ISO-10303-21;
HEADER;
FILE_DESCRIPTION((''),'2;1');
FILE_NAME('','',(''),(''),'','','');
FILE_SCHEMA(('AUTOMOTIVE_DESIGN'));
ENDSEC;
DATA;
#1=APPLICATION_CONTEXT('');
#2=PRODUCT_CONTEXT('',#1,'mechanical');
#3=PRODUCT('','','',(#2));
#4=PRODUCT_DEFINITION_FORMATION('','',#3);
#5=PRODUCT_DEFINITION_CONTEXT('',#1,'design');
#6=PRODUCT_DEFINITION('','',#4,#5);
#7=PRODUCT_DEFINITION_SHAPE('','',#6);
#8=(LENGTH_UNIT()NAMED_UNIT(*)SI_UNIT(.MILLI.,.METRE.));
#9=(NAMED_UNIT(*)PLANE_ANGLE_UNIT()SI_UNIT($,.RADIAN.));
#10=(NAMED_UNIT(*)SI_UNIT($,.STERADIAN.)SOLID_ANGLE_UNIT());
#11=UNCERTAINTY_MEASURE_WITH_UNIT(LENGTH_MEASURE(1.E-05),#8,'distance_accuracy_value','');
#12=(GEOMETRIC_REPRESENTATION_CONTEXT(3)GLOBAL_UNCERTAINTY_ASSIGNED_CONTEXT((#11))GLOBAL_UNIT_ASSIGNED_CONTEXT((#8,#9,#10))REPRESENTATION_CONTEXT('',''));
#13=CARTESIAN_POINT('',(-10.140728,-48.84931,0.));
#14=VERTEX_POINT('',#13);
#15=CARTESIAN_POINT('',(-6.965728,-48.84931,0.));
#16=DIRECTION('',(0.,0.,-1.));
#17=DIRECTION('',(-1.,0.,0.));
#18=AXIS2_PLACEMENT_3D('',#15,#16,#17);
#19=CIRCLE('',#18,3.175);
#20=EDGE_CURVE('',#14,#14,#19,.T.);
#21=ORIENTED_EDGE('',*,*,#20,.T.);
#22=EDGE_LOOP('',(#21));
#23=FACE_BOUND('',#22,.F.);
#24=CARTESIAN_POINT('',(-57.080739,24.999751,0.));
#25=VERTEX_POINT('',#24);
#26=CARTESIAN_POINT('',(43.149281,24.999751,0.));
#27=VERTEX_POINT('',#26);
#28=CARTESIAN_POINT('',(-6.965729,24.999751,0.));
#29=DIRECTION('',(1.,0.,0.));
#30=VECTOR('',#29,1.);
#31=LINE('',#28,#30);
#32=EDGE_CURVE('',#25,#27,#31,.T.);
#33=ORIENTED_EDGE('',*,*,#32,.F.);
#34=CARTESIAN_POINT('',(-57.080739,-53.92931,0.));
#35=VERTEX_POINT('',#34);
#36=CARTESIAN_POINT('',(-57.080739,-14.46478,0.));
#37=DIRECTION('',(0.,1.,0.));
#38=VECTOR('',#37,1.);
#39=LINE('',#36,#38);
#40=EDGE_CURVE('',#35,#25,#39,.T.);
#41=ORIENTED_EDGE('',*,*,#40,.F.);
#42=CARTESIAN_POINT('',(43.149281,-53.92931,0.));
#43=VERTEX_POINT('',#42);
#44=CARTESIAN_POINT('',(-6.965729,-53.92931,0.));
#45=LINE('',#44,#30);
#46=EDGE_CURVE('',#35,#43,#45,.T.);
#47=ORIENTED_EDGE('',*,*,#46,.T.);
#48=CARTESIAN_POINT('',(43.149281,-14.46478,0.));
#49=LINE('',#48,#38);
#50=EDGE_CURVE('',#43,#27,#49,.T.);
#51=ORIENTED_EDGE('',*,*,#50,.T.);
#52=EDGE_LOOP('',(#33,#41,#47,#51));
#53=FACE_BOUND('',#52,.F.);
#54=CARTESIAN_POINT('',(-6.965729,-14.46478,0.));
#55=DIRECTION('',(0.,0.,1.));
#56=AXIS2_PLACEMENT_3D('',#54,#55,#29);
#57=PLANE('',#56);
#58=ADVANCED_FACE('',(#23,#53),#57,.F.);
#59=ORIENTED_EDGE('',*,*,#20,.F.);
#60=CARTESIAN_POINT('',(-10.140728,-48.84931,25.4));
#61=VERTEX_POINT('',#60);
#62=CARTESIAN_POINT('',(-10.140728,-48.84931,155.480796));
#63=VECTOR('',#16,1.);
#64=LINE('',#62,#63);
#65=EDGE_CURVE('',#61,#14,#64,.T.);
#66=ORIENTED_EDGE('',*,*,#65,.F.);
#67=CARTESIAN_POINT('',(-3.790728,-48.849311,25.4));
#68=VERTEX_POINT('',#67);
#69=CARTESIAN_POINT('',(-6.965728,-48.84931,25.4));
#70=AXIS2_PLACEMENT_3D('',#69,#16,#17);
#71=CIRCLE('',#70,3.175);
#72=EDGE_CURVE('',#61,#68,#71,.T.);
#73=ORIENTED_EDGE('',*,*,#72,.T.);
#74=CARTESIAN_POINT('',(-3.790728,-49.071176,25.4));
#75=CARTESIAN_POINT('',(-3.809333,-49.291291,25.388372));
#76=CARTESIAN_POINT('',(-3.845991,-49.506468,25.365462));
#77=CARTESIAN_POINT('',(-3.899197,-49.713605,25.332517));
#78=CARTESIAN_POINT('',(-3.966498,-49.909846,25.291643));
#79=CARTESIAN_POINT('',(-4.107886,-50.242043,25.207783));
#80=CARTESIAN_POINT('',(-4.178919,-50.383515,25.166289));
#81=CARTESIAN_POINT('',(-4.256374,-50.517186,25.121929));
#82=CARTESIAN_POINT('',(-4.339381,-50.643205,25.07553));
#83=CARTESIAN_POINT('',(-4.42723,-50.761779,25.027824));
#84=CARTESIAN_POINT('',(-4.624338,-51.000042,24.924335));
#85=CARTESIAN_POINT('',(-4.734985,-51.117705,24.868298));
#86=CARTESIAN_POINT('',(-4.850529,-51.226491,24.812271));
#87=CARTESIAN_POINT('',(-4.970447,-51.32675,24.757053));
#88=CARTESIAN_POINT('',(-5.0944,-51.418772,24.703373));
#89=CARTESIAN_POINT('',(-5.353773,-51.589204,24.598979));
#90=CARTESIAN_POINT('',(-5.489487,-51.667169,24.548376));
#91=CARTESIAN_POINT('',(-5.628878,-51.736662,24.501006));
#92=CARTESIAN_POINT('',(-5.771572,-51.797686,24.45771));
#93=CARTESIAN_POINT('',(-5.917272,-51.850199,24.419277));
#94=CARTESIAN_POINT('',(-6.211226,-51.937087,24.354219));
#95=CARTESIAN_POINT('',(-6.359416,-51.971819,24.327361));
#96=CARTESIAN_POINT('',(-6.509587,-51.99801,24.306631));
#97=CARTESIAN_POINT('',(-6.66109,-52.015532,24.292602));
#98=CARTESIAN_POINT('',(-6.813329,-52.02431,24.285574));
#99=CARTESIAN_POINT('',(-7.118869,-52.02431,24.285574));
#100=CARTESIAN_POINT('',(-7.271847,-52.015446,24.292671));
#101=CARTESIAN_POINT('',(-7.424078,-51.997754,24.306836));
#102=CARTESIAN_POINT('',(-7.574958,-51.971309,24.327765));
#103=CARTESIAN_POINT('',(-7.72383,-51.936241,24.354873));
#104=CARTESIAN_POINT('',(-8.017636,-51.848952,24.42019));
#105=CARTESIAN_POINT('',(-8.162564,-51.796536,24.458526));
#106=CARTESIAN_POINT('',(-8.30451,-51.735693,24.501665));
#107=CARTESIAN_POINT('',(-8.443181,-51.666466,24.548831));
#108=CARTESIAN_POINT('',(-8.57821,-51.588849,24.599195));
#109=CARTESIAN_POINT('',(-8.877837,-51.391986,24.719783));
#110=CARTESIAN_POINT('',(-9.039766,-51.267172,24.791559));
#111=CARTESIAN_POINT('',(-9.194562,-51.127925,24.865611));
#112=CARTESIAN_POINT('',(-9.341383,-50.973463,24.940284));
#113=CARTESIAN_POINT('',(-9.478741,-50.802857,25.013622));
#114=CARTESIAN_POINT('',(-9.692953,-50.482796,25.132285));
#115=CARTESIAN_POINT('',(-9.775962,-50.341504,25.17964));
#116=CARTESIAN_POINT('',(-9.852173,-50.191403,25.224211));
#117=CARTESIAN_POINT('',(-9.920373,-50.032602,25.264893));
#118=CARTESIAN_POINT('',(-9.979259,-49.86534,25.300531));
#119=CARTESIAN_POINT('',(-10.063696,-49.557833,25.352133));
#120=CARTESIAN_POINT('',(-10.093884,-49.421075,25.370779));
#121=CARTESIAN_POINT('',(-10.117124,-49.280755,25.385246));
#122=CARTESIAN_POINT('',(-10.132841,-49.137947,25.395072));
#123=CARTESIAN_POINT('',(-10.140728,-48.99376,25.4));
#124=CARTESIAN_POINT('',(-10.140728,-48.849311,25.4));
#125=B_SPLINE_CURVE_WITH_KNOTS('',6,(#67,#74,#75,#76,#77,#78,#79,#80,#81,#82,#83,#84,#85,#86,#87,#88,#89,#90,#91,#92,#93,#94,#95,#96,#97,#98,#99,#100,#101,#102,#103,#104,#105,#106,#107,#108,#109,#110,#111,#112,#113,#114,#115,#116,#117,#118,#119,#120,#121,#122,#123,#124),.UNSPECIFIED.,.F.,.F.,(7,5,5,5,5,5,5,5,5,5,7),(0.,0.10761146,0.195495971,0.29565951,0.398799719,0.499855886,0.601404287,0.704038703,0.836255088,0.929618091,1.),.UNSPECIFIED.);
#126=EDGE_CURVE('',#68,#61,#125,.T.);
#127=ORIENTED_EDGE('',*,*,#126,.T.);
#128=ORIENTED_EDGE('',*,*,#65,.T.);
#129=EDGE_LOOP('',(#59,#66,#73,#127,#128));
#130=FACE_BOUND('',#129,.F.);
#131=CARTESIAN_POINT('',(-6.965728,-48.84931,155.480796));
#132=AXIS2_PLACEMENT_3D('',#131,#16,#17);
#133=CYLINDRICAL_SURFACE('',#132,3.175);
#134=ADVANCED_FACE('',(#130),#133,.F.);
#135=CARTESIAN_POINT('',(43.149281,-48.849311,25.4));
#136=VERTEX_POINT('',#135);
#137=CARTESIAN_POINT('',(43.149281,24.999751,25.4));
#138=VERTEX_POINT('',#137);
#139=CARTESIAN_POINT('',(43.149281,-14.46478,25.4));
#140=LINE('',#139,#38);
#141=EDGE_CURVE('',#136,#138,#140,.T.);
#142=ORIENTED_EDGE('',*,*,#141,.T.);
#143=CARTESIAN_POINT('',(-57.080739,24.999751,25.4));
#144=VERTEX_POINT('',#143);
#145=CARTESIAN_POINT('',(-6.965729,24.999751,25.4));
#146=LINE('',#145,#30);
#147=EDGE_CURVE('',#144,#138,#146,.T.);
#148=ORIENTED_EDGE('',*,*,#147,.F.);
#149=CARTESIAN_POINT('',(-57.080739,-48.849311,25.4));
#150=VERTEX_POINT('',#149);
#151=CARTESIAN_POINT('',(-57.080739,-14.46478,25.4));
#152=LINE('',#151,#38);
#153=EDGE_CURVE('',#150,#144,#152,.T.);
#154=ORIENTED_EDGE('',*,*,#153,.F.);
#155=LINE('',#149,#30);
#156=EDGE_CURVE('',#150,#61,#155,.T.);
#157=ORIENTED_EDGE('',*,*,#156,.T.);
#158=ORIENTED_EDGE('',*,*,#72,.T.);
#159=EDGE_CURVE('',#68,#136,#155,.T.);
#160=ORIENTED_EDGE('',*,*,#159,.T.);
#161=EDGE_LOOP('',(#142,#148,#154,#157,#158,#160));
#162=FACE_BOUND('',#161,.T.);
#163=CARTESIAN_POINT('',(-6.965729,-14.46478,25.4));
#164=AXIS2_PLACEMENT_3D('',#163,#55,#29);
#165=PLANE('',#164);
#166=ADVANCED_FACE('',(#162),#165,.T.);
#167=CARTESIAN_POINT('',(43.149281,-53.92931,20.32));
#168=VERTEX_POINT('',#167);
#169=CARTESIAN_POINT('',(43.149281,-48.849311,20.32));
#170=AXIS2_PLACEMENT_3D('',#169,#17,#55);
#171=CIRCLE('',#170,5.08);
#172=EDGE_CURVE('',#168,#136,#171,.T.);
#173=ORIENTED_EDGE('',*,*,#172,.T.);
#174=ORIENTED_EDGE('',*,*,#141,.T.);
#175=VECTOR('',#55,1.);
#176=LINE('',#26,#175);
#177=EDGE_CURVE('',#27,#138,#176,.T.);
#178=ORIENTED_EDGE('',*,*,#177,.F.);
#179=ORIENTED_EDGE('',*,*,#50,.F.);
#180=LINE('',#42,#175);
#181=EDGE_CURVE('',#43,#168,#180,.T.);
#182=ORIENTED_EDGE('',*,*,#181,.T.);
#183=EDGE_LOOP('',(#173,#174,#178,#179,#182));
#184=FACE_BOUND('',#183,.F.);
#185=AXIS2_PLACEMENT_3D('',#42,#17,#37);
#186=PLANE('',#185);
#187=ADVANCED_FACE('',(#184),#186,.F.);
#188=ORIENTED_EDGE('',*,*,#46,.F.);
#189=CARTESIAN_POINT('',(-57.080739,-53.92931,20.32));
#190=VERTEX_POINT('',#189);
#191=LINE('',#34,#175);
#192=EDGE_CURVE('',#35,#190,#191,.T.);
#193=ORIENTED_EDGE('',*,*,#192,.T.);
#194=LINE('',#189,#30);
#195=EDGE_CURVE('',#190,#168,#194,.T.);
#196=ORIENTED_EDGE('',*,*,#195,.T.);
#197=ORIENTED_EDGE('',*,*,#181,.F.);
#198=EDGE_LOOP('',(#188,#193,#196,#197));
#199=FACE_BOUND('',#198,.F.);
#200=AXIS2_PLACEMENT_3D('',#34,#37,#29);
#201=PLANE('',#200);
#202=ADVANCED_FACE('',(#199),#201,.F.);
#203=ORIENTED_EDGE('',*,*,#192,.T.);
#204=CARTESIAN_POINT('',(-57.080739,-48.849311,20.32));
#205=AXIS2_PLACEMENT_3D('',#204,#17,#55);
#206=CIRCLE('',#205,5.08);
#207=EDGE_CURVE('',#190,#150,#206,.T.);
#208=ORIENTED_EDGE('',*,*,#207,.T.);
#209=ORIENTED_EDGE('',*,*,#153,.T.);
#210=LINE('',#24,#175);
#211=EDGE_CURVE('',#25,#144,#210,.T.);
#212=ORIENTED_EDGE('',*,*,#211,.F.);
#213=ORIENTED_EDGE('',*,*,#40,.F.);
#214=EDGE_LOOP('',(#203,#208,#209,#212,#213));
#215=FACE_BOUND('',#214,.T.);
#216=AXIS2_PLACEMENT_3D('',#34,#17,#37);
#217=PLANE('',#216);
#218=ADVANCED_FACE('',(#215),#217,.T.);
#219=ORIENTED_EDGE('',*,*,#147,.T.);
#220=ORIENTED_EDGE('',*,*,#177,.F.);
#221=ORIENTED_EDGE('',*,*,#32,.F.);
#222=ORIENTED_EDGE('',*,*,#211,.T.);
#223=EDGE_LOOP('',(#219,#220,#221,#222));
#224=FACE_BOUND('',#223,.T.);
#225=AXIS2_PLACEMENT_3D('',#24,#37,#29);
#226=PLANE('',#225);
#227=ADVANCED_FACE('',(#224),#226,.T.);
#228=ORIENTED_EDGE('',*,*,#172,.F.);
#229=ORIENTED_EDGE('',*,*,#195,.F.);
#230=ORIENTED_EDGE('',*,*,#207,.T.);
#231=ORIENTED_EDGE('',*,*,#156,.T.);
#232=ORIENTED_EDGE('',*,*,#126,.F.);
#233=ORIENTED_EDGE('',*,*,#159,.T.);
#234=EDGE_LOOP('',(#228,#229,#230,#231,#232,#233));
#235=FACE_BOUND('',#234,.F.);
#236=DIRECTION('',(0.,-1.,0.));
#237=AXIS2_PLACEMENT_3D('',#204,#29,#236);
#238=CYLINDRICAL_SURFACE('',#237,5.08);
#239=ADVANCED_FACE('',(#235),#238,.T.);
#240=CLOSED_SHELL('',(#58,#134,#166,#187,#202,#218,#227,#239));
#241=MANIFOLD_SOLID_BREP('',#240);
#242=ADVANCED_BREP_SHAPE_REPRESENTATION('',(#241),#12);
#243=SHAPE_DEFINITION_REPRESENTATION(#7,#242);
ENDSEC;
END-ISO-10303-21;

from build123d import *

# Parameters (mm, degrees)
F0_W     = 100.230019
F0_H     = 78.929061
F1_DEPTH = 25.4
F2_R     = 5.08
F5_D     = 6.35


with BuildPart() as f1:
    # F0 (on Top) → F1 (new body)
    with BuildSketch(Plane.XY):
        with Locations((-6.965729, -14.46478)):
            Rectangle(F0_W, F0_H)
    extrude(amount=F1_DEPTH)

    # F2
    f2_edges = [f1.edges().sort_by_distance(p)[0] for p in [
        (-6.965728, -53.92931, 25.4),
    ]]
    fillet(f2_edges, radius=F2_R)

    # F5 (through all)
    with Locations(Plane.XY.offset(25.4)):
        with Locations((-6.965728, -48.84931)):
            Hole(F5_D / 2)


solid = f1.part
